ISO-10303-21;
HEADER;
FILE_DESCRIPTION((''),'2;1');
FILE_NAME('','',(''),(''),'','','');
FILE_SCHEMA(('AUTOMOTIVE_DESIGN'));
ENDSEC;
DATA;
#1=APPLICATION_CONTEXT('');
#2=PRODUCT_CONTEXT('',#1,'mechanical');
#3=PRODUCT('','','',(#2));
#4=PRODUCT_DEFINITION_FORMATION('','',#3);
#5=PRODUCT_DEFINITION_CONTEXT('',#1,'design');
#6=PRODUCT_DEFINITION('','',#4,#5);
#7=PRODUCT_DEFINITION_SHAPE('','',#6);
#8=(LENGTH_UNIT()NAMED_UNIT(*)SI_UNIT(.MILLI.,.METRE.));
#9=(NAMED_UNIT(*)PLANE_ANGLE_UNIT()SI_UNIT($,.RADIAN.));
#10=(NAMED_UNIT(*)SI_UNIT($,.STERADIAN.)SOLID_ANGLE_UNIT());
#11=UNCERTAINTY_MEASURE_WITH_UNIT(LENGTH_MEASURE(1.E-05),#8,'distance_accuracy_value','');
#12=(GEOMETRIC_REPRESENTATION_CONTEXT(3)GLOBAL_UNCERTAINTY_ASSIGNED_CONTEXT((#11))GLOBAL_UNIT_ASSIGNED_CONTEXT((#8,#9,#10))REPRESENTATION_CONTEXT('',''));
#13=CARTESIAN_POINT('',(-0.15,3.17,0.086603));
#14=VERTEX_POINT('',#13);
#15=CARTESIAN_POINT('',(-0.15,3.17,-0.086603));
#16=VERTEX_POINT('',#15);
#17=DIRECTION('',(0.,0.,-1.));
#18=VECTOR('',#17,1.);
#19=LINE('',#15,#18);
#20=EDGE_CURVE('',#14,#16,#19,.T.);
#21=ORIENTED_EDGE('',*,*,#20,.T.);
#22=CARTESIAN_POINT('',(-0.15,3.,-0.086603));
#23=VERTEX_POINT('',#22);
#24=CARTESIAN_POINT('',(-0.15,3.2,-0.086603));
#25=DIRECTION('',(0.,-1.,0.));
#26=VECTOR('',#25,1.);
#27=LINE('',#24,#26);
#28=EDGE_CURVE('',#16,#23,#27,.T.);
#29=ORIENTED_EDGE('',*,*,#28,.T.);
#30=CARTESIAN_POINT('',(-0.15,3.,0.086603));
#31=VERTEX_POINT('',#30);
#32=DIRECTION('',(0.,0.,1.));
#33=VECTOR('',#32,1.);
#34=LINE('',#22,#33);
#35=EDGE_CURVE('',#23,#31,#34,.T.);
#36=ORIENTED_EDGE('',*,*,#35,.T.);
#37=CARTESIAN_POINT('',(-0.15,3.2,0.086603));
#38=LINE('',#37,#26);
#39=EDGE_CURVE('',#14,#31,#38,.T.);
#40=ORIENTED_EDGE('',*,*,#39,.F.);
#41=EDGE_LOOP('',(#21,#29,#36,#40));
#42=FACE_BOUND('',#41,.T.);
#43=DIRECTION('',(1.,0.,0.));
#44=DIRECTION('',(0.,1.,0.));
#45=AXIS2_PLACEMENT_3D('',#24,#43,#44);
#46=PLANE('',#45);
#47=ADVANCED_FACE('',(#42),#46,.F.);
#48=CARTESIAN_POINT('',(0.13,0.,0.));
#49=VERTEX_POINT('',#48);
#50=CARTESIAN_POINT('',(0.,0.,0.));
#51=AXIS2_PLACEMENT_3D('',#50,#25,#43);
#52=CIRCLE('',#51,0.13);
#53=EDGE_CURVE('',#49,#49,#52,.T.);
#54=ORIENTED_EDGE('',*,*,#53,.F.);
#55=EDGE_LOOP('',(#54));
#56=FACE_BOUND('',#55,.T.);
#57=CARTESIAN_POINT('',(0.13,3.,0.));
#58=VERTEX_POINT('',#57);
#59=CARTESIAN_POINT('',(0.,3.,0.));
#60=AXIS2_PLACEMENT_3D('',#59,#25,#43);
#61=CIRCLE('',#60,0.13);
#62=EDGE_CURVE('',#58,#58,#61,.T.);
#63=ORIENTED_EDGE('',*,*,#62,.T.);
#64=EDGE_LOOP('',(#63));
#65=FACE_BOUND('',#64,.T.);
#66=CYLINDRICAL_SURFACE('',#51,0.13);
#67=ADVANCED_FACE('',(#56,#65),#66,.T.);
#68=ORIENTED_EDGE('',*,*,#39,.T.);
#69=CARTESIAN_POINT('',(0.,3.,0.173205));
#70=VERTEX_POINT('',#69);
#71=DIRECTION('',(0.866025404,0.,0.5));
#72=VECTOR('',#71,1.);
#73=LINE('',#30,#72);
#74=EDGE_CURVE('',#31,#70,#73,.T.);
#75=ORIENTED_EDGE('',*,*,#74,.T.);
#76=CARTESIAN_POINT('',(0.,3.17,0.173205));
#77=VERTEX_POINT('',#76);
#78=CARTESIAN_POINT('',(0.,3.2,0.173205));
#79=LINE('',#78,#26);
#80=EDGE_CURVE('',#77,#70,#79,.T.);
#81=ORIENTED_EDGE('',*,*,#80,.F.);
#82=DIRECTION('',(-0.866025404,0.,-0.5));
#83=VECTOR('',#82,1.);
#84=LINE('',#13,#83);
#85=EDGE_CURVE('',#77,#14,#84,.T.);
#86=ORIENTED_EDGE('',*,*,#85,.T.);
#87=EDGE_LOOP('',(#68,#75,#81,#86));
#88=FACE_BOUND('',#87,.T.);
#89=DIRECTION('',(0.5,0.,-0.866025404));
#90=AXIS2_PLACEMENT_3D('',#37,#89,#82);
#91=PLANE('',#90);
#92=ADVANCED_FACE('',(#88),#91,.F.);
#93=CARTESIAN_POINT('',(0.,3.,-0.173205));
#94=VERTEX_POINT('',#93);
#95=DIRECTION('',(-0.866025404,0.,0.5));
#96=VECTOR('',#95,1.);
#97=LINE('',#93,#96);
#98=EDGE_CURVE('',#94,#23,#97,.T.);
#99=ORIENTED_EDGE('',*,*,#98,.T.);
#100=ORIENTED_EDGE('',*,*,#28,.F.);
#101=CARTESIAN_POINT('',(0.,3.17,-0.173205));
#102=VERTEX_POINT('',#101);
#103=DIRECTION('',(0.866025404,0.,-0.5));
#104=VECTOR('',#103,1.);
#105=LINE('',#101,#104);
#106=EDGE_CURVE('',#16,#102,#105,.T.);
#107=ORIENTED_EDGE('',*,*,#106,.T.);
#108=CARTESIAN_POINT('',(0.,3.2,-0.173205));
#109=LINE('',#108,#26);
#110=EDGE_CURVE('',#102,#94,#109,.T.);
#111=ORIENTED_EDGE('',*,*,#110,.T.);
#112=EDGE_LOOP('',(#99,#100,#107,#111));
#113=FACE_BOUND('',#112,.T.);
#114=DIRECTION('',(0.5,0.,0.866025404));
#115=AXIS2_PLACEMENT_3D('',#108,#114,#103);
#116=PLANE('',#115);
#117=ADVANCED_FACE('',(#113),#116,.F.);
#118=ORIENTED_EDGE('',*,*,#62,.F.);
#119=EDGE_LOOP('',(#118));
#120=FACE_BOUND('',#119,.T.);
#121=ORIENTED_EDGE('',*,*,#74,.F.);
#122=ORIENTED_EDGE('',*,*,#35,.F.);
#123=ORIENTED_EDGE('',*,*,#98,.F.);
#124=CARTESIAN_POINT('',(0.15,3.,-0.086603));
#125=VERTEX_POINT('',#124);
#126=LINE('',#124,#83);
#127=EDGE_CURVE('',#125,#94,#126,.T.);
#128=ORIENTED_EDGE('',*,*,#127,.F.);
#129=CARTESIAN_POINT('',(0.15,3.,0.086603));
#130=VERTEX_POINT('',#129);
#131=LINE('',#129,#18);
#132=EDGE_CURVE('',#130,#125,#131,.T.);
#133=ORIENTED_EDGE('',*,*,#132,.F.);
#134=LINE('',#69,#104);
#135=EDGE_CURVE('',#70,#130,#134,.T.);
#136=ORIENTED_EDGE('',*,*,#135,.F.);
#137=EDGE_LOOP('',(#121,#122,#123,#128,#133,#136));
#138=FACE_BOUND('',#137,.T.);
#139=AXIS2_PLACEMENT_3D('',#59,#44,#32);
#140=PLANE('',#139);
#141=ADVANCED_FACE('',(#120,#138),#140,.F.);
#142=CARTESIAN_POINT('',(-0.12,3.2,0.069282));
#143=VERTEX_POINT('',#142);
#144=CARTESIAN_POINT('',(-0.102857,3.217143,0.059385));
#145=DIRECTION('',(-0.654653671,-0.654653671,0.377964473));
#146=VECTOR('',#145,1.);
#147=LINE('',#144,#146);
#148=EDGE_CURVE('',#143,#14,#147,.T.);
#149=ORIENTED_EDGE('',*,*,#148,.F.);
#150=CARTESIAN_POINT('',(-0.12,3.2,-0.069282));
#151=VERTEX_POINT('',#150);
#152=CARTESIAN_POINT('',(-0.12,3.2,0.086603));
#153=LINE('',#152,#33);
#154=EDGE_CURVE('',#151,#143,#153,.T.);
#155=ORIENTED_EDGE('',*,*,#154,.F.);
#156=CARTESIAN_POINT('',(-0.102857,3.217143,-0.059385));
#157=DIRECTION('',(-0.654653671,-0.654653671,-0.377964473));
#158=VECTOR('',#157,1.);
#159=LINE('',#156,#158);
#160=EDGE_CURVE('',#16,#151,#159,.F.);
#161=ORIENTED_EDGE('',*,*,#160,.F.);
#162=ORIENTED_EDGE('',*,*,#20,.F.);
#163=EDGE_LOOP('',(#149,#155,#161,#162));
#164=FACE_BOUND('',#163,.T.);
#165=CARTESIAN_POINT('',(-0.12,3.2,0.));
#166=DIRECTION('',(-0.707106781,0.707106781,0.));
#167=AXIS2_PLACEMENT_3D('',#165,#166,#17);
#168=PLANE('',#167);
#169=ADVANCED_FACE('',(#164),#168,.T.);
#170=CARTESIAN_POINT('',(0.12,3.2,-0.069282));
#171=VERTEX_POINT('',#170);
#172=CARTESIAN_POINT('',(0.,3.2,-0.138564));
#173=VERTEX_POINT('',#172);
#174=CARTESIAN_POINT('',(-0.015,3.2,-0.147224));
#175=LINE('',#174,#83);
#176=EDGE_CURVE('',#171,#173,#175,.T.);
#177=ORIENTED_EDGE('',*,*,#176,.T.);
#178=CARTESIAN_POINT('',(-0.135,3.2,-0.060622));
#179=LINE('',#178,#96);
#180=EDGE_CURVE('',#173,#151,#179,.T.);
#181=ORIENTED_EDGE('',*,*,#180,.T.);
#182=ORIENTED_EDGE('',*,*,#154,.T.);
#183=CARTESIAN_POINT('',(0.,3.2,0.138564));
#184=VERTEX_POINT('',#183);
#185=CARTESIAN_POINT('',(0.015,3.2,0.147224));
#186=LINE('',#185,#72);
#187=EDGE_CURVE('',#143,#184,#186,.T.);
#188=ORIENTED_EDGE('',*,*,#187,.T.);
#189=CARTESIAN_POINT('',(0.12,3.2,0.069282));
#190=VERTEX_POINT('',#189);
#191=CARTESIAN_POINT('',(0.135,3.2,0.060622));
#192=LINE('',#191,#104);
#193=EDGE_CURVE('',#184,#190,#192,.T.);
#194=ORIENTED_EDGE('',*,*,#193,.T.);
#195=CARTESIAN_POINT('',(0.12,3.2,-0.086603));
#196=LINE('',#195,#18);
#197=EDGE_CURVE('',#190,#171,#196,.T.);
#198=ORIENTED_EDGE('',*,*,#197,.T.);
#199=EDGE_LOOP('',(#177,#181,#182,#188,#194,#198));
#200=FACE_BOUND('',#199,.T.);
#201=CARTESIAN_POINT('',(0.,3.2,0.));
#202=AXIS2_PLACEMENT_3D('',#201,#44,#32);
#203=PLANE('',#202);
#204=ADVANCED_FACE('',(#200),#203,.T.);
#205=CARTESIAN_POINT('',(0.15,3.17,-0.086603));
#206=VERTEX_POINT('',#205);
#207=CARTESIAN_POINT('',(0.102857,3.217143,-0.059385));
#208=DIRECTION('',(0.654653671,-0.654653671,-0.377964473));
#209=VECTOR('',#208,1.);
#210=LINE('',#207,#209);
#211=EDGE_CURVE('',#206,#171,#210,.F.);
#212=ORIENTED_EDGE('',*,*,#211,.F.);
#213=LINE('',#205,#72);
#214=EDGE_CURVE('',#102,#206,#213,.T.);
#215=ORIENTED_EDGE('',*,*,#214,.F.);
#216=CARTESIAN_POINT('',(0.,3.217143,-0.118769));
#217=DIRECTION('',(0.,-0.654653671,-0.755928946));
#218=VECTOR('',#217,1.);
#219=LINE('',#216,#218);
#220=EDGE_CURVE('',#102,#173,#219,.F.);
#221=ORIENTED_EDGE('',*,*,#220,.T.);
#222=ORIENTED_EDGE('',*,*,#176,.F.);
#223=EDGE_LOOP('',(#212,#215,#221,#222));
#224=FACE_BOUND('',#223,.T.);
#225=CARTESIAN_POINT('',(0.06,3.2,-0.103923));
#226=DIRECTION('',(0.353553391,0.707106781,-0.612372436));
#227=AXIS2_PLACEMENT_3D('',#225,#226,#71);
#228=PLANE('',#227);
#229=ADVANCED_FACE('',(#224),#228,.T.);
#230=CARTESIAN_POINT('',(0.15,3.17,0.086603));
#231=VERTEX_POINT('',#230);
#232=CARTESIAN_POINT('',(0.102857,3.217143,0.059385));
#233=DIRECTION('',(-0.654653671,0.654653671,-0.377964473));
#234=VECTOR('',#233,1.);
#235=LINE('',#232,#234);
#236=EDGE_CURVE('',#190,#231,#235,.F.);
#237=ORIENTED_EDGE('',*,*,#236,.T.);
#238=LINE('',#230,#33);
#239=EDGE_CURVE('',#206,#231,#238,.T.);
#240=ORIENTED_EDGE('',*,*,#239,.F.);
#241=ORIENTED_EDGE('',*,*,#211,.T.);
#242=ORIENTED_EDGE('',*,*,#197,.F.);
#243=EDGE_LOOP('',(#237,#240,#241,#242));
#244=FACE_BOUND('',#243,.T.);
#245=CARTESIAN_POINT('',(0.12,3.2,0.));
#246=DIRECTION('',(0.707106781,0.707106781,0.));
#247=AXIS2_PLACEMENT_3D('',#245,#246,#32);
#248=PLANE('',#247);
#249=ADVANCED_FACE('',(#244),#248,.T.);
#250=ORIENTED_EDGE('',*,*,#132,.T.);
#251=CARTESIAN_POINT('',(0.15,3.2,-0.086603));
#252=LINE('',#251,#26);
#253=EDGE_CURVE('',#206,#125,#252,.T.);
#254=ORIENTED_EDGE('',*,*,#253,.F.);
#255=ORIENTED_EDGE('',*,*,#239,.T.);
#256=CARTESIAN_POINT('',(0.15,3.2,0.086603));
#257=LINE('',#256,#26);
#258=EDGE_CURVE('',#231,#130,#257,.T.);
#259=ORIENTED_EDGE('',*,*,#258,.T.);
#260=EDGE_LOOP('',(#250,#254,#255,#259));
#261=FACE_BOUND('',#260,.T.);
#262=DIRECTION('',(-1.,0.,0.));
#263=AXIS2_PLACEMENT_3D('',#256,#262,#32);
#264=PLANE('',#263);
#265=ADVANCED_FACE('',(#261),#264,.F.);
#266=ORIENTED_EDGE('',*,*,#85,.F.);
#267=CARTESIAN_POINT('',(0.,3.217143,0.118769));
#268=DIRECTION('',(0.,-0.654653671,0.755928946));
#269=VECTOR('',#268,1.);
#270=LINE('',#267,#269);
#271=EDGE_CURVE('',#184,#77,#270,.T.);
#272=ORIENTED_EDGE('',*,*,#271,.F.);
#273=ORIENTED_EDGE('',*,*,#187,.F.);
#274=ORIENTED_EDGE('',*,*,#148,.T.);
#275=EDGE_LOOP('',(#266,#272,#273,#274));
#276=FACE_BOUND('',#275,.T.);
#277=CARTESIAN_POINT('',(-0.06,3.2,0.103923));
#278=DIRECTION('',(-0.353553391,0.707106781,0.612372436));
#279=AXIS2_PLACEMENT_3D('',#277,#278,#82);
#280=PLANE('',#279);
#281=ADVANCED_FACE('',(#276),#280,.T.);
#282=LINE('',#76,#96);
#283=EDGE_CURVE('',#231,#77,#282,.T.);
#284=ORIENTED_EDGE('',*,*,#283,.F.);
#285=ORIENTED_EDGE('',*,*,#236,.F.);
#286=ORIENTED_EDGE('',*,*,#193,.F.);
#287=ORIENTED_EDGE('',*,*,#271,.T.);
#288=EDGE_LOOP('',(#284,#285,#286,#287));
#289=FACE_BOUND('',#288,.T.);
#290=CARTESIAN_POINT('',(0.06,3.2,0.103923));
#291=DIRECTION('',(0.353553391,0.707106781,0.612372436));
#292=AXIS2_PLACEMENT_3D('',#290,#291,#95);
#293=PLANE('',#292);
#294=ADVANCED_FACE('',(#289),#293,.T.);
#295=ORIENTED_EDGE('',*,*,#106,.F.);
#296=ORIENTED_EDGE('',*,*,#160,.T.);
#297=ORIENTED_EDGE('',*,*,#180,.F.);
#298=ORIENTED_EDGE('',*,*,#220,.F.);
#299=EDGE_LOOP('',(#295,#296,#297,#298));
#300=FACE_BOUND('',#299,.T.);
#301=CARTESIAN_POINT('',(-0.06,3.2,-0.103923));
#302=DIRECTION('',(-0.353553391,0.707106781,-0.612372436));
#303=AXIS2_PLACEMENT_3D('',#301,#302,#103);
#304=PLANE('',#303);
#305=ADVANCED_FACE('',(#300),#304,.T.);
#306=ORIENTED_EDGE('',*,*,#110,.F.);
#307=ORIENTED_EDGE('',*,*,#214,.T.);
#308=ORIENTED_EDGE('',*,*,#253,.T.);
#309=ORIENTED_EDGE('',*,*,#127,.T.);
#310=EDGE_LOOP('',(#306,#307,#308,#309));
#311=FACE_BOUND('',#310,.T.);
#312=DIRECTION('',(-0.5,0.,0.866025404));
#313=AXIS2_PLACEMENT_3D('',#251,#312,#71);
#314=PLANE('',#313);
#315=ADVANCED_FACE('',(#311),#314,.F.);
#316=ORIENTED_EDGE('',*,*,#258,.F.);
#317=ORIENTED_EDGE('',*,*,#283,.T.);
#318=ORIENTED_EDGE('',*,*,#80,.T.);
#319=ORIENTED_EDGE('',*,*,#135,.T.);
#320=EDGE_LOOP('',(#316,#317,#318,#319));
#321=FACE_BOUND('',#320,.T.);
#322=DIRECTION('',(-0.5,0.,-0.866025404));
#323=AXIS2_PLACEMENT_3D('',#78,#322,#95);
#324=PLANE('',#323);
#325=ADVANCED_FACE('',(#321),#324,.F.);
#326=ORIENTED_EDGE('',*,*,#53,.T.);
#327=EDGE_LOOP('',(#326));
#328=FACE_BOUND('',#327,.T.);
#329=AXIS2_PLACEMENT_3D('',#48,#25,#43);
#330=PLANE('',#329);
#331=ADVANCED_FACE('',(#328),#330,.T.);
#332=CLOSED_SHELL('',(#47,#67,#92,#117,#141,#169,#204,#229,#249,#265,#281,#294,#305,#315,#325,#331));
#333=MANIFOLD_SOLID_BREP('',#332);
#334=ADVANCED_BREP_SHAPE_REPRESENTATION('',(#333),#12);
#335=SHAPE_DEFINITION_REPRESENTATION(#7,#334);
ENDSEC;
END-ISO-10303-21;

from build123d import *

# Parameters (mm, degrees)
SKETCH1_W           = 0.13
SKETCH1_H           = 3
BOSS_EXTRUDE1_DEPTH = 0.2
CHAMFER5_SIZE       = 0.03


with BuildPart() as part:
    # Sketch1 → Revolve2 (revolve)
    with BuildSketch(Plane.XY):
        with Locations((0.065, 1.5)):
            Rectangle(SKETCH1_W, SKETCH1_H)
    revolve(axis=Axis((0, 0, 0), (0, 1, 0)))

    # Sketch3 → Boss-Extrude1 (add)
    with BuildSketch(Plane(origin=(0, 3, 0), x_dir=(1, 0, 0), z_dir=(0, 1, 0))):
        Polygon((0, 0.173205081), (-0.15, 0.08660254), (-0.15, -0.08660254), (0, -0.173205081), (0.15, -0.08660254), (0.15, 0.08660254), align=None)
    extrude(amount=BOSS_EXTRUDE1_DEPTH)

    # Chamfer5
    chamfer5_edges = [part.edges().sort_by_distance(p)[0] for p in [
        (0.075, 3.2, -0.129903811),
        (-0.075, 3.2, -0.129903811),
        (-0.15, 3.2, 0),
        (-0.075, 3.2, 0.129903811),
        (0.075, 3.2, 0.129903811),
        (0.15, 3.2, 0),
    ]]
    chamfer(chamfer5_edges, length=CHAMFER5_SIZE)


solid = part.part
